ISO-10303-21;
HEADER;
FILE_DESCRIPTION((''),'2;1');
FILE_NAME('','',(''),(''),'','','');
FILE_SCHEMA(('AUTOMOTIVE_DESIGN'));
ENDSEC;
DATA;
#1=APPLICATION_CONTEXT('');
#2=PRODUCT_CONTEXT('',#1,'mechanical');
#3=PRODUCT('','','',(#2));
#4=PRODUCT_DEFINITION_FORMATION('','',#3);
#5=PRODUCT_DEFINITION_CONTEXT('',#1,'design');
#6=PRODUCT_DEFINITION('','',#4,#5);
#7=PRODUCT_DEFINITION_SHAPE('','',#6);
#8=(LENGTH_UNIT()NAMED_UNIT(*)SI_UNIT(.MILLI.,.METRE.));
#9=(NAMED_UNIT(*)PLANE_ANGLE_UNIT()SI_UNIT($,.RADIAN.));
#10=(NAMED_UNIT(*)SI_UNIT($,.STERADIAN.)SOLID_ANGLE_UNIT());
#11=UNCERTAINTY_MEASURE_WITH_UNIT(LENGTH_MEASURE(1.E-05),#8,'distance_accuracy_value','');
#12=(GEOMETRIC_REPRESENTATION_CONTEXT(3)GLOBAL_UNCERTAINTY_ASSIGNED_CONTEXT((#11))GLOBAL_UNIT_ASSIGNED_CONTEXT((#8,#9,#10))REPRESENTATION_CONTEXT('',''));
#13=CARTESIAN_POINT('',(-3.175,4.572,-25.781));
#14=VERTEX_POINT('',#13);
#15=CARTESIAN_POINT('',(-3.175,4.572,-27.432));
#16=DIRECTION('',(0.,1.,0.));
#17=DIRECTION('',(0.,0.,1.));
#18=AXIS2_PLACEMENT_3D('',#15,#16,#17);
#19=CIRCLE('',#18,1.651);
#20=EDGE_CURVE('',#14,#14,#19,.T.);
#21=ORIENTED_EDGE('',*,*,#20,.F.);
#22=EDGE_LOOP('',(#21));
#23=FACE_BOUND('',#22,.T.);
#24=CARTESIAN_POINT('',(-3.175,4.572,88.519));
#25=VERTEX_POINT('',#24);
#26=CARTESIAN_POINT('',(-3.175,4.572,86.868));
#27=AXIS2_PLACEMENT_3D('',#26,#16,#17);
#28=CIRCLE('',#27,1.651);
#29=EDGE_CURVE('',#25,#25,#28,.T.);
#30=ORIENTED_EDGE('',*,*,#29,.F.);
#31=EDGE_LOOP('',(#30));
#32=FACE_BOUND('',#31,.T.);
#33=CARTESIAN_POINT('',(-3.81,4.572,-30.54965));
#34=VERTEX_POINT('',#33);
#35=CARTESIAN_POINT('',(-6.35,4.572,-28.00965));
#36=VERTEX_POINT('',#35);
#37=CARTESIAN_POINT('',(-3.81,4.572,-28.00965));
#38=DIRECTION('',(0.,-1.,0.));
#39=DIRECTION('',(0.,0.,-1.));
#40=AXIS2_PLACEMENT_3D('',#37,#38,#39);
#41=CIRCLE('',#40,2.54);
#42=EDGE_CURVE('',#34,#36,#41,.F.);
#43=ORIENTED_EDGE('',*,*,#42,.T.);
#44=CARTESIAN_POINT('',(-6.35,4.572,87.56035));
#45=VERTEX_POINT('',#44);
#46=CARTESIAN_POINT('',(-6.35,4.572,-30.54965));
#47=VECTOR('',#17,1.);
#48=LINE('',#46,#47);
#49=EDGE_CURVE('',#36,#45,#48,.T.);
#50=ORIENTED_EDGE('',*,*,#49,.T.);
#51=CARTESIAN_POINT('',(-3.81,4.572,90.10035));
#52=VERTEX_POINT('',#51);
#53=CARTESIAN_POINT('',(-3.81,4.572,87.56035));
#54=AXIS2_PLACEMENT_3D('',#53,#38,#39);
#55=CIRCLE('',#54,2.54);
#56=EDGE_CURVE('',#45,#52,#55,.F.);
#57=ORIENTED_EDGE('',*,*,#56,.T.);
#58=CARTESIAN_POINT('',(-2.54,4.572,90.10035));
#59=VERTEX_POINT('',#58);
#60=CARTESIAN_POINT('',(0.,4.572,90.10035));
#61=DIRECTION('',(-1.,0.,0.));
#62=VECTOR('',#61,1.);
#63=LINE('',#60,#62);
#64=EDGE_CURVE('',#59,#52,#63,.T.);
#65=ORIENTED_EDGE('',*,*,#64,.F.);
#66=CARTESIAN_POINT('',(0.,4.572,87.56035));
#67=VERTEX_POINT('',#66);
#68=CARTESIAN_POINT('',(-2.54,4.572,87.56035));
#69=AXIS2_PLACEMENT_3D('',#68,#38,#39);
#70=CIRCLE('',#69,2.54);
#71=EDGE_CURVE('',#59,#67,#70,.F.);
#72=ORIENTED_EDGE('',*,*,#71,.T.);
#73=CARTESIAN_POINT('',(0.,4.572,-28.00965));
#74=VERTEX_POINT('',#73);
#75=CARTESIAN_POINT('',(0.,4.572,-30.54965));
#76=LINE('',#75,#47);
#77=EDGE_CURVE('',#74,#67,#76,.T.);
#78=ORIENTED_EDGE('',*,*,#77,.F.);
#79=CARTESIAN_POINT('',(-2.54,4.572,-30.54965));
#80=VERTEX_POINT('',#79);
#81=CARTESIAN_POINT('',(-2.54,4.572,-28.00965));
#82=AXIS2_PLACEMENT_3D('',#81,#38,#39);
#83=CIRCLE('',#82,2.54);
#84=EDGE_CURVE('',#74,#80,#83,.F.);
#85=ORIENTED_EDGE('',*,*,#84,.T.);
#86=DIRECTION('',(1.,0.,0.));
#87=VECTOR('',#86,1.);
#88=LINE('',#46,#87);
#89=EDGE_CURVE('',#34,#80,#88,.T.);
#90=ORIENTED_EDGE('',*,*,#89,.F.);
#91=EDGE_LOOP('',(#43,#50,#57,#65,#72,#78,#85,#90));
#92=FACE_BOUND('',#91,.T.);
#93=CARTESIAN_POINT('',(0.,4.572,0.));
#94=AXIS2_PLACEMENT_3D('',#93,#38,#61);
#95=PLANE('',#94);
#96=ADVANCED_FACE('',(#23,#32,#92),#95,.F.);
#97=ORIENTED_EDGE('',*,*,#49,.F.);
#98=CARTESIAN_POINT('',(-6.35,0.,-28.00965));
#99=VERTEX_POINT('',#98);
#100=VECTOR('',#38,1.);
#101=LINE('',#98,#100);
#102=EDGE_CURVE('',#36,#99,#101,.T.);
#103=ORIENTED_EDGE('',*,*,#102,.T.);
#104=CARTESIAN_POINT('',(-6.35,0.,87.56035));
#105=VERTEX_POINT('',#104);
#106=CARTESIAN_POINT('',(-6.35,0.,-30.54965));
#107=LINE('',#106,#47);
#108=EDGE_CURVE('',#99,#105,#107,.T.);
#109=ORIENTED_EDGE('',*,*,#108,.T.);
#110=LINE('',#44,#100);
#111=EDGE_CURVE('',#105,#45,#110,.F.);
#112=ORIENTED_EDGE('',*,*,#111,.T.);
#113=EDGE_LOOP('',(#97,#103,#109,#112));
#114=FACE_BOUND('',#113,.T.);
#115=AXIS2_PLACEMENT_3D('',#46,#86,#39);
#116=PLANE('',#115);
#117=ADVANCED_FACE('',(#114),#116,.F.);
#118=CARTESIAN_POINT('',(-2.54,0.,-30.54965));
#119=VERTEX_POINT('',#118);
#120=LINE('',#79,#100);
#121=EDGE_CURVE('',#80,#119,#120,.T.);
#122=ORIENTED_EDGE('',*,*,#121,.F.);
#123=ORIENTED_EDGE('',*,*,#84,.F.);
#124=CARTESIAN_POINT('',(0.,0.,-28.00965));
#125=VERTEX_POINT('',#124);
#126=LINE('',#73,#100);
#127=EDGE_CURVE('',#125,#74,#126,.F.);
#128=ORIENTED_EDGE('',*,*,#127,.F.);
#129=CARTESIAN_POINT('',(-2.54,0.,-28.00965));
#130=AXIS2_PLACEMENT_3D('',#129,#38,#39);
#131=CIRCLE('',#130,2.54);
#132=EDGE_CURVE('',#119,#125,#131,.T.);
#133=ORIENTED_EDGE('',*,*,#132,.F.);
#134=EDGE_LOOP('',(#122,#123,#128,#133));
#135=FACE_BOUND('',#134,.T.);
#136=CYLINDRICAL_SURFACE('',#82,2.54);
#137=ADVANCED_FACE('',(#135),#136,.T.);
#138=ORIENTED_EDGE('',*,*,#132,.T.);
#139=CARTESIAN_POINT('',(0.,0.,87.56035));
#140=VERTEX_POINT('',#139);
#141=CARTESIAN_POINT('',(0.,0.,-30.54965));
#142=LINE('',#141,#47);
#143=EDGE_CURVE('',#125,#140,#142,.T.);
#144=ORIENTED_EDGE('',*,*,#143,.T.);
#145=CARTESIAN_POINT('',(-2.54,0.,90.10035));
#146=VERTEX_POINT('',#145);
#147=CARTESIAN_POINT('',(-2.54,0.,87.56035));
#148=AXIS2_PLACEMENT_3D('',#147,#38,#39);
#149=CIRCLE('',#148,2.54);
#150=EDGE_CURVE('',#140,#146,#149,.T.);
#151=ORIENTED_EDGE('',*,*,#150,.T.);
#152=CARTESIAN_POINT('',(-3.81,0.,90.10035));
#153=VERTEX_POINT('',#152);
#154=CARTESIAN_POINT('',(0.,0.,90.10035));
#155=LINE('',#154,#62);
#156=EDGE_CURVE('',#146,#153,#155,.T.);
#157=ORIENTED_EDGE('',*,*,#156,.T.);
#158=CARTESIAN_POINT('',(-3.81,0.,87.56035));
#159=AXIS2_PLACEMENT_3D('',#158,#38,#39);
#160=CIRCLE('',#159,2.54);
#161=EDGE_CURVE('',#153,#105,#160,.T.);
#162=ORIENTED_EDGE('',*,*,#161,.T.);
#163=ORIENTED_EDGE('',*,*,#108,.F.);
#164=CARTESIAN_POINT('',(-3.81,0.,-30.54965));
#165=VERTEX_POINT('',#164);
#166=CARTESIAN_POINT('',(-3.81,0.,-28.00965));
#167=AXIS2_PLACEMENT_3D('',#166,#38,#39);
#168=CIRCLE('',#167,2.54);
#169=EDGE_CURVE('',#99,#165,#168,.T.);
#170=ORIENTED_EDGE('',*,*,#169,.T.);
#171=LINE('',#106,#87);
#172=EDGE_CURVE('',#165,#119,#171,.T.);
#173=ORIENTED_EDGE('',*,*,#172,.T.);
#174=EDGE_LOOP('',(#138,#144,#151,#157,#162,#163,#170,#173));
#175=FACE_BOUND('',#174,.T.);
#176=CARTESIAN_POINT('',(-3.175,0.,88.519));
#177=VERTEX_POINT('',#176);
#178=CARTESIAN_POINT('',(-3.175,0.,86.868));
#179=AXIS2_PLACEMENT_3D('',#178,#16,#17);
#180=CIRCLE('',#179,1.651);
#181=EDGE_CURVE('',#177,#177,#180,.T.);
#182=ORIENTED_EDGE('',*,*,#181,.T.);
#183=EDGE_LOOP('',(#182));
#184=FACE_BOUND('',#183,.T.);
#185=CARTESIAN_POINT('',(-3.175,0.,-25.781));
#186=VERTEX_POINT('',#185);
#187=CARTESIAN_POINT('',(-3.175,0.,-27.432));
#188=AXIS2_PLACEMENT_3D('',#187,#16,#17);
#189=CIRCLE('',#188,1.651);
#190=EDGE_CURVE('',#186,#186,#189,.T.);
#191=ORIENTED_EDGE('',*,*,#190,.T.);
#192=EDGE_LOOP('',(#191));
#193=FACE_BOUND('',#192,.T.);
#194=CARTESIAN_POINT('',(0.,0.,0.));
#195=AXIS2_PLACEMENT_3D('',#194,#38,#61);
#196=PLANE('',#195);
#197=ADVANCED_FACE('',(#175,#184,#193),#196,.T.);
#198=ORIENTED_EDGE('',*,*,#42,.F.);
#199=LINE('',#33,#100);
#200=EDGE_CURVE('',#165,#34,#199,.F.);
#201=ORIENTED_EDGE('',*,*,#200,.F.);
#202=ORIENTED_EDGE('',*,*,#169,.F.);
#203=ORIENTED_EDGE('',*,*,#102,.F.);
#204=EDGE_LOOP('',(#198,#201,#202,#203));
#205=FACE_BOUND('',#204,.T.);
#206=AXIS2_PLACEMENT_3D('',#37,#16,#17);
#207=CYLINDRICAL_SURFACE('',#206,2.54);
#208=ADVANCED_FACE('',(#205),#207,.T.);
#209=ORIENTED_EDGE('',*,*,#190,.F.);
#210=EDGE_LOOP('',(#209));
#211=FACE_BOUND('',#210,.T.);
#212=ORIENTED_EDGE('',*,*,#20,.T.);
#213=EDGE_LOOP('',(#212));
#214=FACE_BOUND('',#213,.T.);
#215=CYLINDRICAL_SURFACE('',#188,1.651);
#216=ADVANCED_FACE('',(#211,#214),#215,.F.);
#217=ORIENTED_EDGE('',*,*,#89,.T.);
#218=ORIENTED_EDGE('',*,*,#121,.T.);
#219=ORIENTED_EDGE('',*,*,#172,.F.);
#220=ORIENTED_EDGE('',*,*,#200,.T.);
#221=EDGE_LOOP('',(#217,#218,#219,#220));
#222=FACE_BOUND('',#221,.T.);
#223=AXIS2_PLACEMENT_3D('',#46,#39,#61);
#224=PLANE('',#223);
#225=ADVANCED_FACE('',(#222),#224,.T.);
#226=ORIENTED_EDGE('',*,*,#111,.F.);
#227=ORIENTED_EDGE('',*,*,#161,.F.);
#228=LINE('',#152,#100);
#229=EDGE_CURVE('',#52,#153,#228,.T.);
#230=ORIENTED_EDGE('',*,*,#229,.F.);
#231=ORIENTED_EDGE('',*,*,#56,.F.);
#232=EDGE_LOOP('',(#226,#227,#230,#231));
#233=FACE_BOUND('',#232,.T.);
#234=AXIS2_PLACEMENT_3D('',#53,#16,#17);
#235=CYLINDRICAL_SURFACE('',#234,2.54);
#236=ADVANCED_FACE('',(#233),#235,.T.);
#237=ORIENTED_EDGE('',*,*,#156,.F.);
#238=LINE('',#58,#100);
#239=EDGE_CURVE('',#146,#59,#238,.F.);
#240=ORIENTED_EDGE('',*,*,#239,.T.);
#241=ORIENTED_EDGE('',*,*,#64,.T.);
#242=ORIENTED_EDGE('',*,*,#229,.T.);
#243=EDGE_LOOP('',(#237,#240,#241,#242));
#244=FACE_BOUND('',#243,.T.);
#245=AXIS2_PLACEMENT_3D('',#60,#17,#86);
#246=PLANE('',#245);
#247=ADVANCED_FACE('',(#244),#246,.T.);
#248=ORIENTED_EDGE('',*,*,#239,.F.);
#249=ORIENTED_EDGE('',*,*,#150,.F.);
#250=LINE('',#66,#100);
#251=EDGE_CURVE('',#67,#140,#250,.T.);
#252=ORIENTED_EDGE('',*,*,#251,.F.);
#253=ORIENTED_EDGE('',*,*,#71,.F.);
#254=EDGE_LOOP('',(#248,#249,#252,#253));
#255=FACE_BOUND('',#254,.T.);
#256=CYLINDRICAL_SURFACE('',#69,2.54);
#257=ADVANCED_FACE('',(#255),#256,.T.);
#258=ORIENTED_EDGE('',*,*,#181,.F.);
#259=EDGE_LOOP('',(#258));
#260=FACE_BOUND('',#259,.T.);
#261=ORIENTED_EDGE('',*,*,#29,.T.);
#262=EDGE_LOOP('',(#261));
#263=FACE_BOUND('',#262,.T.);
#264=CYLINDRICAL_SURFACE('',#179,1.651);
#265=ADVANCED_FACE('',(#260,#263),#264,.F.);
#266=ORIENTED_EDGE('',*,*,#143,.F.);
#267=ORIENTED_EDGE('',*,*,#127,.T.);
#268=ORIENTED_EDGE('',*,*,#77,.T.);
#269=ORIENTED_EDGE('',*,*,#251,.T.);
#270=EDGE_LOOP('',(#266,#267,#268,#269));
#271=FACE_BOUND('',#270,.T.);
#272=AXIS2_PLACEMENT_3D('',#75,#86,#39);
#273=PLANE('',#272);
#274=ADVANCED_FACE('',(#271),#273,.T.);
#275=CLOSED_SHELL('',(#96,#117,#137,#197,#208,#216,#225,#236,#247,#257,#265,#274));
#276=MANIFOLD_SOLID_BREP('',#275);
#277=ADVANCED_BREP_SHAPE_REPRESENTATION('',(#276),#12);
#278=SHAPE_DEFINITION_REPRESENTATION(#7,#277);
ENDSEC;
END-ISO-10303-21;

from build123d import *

# Parameters (mm, degrees)
SKETCH1_W           = 6.35
SKETCH1_H           = 120.65
EXTRUDE_THIN1_DEPTH = 4.572
SKETCH2_R           = 1.651
CUT_EXTRUDE1_DEPTH  = 4.572
LPATTERN1_COUNT     = 6
LPATTERN1_PITCH     = 114.3
FILLET1_R           = 2.54


with BuildPart() as part:
    # Sketch1 → Extrude-Thin1 (new body)
    with BuildSketch(Plane(origin=(0, 0, 0), x_dir=(1, 0, 0), z_dir=(0, 1, 0))):
        with Locations((-3.175, -29.775350058)):
            Rectangle(SKETCH1_W, SKETCH1_H)
    extrude(amount=EXTRUDE_THIN1_DEPTH)

    # Sketch2 → Cut-Extrude1 (cut)
    with BuildSketch(Plane(origin=(0, 4.572, 0), x_dir=(1, 0, 0), z_dir=(0, 1, 0))):
        with Locations((-3.175, 27.432)):
            Circle(SKETCH2_R)
    cut_extrude1 = extrude(amount=-CUT_EXTRUDE1_DEPTH, mode=Mode.SUBTRACT)

    # LPattern1: Cut-Extrude1 ×6
    with Locations(*[(0, 0, i * LPATTERN1_PITCH) for i in range(1, LPATTERN1_COUNT)]):
        add(cut_extrude1, mode=Mode.SUBTRACT)

    # Fillet1
    fillet1_edges = [part.edges().sort_by_distance(p)[0] for p in [
        (-6.35, 2.286, -30.549649942),
        (0, 2.286, -30.549649942),
        (0, 2.286, 90.100350058),
        (-6.35, 2.286, 90.100350058),
    ]]
    fillet(fillet1_edges, radius=FILLET1_R)


solid = part.part
